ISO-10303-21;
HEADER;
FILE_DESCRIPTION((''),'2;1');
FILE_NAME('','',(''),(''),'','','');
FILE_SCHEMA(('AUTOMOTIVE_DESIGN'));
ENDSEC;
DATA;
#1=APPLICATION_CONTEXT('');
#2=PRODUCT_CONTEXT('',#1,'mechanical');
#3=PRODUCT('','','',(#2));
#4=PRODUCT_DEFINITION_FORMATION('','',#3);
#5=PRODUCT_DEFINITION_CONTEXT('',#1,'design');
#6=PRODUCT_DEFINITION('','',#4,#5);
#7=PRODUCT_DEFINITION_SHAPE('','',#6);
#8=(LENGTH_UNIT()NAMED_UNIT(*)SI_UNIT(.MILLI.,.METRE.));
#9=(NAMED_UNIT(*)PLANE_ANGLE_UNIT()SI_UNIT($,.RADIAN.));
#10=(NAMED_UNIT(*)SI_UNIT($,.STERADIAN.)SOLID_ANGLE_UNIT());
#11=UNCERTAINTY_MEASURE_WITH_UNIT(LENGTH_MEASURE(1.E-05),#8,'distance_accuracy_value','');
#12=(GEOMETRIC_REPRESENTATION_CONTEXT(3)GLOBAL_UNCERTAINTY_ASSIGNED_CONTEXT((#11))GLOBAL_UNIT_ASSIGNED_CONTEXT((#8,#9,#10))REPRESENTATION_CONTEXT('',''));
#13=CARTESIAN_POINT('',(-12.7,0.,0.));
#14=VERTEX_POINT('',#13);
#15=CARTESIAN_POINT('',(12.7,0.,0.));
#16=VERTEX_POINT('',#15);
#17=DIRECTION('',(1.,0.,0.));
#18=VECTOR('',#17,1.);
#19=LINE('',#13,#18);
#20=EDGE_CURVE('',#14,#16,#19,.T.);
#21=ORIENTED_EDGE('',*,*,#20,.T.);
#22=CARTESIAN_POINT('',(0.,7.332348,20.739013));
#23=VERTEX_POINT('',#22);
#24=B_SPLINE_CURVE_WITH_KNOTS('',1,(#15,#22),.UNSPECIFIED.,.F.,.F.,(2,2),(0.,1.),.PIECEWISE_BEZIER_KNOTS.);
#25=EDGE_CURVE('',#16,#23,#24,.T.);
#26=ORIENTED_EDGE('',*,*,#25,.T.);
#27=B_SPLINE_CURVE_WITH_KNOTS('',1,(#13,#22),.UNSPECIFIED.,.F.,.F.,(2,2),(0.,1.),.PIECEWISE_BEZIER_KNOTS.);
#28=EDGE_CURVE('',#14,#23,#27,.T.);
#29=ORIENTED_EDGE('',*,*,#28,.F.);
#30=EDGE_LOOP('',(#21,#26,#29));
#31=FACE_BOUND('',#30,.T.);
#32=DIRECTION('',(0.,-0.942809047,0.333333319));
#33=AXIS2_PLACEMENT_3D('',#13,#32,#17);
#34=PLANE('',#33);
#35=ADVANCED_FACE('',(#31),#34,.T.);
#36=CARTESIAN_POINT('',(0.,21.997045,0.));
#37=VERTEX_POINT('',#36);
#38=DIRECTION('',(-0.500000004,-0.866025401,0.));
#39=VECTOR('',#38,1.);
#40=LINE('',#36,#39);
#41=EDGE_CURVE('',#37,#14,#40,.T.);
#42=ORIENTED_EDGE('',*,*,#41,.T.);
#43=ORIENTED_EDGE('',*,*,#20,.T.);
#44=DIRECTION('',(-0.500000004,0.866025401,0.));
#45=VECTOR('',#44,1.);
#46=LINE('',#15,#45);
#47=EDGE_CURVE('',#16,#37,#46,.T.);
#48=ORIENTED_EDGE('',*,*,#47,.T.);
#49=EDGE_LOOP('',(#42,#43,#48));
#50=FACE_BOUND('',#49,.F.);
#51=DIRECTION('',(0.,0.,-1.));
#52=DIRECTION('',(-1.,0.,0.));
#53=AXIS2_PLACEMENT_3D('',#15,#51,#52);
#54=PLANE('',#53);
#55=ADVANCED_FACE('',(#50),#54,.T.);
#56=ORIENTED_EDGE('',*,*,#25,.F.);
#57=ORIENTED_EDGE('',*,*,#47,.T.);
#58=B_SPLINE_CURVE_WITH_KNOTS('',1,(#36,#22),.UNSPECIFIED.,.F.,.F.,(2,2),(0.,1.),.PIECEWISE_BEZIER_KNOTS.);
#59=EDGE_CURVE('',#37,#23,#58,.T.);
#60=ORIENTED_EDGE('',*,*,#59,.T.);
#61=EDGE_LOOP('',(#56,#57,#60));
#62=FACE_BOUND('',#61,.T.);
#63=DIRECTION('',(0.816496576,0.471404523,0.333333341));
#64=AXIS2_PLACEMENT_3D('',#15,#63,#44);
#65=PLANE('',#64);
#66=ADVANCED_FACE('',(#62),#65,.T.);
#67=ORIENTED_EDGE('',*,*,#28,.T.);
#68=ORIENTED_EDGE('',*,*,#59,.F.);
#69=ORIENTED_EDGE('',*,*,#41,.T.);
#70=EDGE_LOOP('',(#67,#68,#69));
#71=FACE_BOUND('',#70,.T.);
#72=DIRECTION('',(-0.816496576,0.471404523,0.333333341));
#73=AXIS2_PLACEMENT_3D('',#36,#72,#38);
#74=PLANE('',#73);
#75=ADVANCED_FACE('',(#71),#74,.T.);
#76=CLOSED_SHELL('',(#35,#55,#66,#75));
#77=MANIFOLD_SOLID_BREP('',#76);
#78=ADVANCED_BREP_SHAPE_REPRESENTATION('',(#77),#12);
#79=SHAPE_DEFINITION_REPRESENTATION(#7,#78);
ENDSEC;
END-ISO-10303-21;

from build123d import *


with BuildPart() as f3:
    # F0 (on Top) → F3 section 0
    with BuildSketch(Plane.XY, mode=Mode.PRIVATE) as f3_s0:
        Polygon((12.7, 0), (0, 21.997045), (-12.7, 0), align=None)
    loft([f3_s0.sketch, Vertex(0, 7.332348, 20.739013)])


solid = f3.part
